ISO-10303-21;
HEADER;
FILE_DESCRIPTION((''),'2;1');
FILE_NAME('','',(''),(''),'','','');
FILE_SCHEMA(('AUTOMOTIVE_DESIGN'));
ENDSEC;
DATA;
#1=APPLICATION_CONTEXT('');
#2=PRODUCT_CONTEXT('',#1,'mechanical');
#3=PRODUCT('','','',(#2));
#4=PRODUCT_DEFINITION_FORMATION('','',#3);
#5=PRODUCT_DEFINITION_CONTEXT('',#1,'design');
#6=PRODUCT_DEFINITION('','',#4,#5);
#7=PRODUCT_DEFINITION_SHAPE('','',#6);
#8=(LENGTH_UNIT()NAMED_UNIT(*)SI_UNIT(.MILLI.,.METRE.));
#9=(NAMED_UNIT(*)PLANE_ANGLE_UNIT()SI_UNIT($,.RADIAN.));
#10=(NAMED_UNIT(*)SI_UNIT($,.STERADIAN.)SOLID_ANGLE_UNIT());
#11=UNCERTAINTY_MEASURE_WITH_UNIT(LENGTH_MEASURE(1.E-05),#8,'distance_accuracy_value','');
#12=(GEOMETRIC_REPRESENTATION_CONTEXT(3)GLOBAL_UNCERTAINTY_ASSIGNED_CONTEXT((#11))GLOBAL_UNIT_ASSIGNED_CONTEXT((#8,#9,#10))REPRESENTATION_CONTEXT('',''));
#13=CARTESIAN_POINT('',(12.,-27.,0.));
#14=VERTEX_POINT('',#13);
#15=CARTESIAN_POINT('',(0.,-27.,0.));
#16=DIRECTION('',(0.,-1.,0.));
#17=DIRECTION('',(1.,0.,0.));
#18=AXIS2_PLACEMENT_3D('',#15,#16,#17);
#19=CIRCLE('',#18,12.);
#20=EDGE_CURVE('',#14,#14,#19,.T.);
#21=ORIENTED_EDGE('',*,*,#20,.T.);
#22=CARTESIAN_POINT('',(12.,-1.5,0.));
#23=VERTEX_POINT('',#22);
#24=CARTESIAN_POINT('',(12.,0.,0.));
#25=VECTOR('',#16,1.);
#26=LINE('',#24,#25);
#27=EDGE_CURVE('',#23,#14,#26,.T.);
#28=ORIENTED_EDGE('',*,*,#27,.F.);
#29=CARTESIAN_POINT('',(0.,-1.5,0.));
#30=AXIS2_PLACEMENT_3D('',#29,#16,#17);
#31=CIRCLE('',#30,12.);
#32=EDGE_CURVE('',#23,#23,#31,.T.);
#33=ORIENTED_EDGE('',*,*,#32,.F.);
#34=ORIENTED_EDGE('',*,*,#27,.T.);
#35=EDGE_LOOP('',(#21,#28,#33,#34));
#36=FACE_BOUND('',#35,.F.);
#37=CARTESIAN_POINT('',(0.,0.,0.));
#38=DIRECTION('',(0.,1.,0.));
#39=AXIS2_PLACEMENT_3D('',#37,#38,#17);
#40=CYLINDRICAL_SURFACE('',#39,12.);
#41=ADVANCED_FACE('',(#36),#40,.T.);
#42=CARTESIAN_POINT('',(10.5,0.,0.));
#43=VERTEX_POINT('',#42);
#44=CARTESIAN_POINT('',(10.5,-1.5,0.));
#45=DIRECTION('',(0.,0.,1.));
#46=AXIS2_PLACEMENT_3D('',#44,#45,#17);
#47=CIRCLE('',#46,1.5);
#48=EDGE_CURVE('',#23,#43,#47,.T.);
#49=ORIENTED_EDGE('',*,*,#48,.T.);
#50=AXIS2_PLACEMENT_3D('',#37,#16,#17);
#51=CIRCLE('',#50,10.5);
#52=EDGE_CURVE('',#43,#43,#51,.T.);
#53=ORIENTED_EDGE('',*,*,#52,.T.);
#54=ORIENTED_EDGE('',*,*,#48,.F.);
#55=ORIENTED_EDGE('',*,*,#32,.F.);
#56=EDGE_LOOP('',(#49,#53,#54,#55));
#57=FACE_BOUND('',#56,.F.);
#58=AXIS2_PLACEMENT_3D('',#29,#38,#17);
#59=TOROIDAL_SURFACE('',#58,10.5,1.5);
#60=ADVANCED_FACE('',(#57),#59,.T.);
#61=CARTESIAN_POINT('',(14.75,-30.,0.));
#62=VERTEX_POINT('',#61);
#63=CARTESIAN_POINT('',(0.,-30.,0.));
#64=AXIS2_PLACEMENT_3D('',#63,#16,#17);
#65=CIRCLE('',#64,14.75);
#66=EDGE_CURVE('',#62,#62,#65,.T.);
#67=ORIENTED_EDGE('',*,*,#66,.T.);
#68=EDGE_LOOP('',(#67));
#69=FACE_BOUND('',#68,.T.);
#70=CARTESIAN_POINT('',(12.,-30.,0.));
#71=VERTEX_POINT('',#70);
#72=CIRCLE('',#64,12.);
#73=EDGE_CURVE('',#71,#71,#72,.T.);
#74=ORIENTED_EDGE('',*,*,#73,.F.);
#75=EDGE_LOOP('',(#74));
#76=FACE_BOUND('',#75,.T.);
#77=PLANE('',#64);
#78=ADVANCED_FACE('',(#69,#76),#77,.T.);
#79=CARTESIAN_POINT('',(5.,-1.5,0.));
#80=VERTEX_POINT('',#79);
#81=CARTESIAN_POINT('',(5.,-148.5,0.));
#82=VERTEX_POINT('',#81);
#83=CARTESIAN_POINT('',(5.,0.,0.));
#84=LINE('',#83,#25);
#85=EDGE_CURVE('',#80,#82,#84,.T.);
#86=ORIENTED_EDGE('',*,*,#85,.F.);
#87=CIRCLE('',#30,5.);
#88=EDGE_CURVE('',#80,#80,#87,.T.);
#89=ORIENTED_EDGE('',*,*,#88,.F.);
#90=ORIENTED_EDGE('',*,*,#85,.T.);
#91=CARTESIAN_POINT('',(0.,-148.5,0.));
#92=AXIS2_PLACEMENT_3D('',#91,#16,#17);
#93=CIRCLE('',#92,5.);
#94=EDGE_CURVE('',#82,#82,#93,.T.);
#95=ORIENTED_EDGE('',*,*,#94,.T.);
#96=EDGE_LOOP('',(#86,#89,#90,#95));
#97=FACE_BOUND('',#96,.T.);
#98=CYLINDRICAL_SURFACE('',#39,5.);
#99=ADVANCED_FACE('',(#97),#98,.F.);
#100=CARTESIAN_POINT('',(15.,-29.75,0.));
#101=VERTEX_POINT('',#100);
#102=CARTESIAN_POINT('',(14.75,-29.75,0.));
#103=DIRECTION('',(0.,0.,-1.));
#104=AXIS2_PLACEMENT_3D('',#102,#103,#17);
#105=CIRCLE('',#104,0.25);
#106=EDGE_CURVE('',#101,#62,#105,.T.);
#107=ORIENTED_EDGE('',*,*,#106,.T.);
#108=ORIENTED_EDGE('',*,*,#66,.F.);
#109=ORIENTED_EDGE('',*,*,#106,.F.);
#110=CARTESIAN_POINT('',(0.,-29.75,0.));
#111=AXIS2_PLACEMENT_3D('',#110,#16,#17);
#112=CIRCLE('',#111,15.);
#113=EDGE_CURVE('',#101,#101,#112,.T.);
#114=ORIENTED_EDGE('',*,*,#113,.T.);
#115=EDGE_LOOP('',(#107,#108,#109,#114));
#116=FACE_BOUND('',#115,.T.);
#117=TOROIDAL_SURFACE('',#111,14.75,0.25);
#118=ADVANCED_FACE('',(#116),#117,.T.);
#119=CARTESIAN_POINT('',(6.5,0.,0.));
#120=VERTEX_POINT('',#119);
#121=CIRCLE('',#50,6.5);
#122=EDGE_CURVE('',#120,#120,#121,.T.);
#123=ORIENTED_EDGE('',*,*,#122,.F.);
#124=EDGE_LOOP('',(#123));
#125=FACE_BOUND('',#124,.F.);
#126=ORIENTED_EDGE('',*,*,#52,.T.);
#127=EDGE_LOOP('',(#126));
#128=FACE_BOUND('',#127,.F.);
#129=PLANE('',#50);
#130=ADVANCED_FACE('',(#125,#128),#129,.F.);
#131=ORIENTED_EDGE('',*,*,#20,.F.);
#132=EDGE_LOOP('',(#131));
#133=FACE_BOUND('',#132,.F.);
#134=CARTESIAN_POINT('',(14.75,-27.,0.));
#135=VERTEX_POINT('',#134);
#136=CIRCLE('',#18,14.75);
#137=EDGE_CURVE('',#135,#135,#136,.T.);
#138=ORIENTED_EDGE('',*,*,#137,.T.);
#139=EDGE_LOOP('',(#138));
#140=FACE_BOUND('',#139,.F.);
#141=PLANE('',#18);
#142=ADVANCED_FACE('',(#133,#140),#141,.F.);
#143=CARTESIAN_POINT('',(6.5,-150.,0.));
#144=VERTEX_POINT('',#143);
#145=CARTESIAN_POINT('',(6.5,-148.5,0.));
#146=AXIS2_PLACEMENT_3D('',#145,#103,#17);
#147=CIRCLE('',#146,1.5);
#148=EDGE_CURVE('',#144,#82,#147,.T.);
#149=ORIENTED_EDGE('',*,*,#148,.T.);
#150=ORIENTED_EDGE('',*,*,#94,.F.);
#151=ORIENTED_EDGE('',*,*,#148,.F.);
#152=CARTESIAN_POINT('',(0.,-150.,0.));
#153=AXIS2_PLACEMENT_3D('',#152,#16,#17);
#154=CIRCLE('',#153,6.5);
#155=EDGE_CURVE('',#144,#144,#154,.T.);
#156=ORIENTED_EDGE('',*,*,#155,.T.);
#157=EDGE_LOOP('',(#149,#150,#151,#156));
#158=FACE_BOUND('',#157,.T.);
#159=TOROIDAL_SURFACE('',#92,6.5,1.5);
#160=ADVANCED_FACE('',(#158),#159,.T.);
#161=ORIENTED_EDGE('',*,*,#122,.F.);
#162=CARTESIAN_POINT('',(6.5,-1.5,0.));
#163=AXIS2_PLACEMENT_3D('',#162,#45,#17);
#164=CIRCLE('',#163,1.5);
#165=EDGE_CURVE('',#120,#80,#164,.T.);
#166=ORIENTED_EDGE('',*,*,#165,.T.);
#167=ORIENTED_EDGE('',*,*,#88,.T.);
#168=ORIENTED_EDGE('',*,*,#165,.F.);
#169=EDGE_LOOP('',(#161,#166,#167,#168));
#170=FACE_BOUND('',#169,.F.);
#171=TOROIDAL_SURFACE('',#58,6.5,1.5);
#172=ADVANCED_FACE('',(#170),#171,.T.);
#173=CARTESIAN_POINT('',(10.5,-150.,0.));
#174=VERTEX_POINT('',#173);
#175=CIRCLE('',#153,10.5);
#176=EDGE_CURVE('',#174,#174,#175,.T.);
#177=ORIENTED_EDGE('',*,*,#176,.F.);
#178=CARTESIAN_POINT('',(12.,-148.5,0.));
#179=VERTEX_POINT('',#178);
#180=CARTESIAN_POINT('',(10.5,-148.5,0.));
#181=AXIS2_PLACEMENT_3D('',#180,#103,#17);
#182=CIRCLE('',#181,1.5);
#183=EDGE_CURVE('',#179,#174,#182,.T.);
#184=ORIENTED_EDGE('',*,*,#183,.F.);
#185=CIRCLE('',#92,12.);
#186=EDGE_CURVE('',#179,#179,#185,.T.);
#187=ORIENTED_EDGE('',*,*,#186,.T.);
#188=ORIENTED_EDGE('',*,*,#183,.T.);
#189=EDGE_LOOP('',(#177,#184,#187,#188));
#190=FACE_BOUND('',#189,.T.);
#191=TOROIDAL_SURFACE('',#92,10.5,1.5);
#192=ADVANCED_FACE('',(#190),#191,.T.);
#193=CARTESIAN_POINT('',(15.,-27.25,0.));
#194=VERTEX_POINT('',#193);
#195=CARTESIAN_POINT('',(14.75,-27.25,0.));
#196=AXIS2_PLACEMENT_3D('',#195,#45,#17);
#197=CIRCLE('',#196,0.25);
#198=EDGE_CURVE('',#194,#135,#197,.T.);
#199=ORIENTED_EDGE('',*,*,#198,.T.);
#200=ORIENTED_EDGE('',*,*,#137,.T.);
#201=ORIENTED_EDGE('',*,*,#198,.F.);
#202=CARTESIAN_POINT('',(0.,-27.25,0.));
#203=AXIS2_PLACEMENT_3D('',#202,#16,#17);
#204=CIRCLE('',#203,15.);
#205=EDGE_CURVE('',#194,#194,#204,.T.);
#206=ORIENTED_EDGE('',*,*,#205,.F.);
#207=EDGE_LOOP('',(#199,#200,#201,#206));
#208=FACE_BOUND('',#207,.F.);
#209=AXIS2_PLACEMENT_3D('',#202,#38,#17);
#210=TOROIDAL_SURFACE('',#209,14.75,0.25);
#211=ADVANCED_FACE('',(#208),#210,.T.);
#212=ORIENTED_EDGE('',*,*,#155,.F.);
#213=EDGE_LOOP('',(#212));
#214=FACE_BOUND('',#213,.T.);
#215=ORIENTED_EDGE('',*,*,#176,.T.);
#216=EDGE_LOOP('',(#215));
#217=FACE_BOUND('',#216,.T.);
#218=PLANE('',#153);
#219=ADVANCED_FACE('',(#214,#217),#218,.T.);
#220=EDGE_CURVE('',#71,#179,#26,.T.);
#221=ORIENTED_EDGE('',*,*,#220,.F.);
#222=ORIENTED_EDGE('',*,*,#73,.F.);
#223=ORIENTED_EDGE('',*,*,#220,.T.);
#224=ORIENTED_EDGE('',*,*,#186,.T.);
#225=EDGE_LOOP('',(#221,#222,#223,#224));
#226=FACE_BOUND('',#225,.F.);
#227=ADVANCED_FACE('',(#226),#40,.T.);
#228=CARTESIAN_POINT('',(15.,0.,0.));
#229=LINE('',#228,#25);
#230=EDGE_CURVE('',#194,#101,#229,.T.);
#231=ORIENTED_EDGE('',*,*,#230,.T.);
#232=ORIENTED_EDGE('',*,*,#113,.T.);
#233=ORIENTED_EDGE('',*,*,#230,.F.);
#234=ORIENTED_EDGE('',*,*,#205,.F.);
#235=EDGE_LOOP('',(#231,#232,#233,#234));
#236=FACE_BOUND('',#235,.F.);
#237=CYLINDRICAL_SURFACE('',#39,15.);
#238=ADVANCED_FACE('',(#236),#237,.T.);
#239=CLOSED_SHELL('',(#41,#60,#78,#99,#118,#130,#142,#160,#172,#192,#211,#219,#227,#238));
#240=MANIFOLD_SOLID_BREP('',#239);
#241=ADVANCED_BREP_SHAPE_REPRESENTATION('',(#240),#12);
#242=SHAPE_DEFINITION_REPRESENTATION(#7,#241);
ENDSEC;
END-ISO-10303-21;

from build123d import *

# Parameters (mm, degrees)
F0_R     = 12
F0_R_2   = 5
F1_DEPTH = 150
F0_R_3   = 15
F2_DEPTH = 30
F3_DEPTH = 27
F4_R     = 0.25
F5_R     = 1.5


with BuildPart() as f1:
    # F0 (on Front) → F1 (new body)
    with BuildSketch(Plane.XZ):
        Circle(F0_R)
        Circle(F0_R_2, mode=Mode.SUBTRACT)
    extrude(amount=F1_DEPTH)

    # F0 (on Front) → F2 (join)
    with BuildSketch(Plane.XZ):
        Circle(F0_R_3)
        Circle(F0_R, mode=Mode.SUBTRACT)
    extrude(amount=F2_DEPTH)

    # F0 (on Front) → F3 (cut)
    with BuildSketch(Plane.XZ):
        Circle(F0_R_3)
        Circle(F0_R, mode=Mode.SUBTRACT)
    extrude(amount=F3_DEPTH, mode=Mode.SUBTRACT)

    # F4
    f4_edges = [f1.edges().sort_by_distance(p)[0] for p in [
        (-15, -30, 0),
        (-15, -27, 0),
    ]]
    fillet(f4_edges, radius=F4_R)

    # F5
    f5_edges = [f1.edges().sort_by_distance(p)[0] for p in [
        (-12, 0, 0),
        (-12, -150, 0),
        (-5, 0, 0),
        (-5, -150, 0),
    ]]
    fillet(f5_edges, radius=F5_R)


solid = f1.part
